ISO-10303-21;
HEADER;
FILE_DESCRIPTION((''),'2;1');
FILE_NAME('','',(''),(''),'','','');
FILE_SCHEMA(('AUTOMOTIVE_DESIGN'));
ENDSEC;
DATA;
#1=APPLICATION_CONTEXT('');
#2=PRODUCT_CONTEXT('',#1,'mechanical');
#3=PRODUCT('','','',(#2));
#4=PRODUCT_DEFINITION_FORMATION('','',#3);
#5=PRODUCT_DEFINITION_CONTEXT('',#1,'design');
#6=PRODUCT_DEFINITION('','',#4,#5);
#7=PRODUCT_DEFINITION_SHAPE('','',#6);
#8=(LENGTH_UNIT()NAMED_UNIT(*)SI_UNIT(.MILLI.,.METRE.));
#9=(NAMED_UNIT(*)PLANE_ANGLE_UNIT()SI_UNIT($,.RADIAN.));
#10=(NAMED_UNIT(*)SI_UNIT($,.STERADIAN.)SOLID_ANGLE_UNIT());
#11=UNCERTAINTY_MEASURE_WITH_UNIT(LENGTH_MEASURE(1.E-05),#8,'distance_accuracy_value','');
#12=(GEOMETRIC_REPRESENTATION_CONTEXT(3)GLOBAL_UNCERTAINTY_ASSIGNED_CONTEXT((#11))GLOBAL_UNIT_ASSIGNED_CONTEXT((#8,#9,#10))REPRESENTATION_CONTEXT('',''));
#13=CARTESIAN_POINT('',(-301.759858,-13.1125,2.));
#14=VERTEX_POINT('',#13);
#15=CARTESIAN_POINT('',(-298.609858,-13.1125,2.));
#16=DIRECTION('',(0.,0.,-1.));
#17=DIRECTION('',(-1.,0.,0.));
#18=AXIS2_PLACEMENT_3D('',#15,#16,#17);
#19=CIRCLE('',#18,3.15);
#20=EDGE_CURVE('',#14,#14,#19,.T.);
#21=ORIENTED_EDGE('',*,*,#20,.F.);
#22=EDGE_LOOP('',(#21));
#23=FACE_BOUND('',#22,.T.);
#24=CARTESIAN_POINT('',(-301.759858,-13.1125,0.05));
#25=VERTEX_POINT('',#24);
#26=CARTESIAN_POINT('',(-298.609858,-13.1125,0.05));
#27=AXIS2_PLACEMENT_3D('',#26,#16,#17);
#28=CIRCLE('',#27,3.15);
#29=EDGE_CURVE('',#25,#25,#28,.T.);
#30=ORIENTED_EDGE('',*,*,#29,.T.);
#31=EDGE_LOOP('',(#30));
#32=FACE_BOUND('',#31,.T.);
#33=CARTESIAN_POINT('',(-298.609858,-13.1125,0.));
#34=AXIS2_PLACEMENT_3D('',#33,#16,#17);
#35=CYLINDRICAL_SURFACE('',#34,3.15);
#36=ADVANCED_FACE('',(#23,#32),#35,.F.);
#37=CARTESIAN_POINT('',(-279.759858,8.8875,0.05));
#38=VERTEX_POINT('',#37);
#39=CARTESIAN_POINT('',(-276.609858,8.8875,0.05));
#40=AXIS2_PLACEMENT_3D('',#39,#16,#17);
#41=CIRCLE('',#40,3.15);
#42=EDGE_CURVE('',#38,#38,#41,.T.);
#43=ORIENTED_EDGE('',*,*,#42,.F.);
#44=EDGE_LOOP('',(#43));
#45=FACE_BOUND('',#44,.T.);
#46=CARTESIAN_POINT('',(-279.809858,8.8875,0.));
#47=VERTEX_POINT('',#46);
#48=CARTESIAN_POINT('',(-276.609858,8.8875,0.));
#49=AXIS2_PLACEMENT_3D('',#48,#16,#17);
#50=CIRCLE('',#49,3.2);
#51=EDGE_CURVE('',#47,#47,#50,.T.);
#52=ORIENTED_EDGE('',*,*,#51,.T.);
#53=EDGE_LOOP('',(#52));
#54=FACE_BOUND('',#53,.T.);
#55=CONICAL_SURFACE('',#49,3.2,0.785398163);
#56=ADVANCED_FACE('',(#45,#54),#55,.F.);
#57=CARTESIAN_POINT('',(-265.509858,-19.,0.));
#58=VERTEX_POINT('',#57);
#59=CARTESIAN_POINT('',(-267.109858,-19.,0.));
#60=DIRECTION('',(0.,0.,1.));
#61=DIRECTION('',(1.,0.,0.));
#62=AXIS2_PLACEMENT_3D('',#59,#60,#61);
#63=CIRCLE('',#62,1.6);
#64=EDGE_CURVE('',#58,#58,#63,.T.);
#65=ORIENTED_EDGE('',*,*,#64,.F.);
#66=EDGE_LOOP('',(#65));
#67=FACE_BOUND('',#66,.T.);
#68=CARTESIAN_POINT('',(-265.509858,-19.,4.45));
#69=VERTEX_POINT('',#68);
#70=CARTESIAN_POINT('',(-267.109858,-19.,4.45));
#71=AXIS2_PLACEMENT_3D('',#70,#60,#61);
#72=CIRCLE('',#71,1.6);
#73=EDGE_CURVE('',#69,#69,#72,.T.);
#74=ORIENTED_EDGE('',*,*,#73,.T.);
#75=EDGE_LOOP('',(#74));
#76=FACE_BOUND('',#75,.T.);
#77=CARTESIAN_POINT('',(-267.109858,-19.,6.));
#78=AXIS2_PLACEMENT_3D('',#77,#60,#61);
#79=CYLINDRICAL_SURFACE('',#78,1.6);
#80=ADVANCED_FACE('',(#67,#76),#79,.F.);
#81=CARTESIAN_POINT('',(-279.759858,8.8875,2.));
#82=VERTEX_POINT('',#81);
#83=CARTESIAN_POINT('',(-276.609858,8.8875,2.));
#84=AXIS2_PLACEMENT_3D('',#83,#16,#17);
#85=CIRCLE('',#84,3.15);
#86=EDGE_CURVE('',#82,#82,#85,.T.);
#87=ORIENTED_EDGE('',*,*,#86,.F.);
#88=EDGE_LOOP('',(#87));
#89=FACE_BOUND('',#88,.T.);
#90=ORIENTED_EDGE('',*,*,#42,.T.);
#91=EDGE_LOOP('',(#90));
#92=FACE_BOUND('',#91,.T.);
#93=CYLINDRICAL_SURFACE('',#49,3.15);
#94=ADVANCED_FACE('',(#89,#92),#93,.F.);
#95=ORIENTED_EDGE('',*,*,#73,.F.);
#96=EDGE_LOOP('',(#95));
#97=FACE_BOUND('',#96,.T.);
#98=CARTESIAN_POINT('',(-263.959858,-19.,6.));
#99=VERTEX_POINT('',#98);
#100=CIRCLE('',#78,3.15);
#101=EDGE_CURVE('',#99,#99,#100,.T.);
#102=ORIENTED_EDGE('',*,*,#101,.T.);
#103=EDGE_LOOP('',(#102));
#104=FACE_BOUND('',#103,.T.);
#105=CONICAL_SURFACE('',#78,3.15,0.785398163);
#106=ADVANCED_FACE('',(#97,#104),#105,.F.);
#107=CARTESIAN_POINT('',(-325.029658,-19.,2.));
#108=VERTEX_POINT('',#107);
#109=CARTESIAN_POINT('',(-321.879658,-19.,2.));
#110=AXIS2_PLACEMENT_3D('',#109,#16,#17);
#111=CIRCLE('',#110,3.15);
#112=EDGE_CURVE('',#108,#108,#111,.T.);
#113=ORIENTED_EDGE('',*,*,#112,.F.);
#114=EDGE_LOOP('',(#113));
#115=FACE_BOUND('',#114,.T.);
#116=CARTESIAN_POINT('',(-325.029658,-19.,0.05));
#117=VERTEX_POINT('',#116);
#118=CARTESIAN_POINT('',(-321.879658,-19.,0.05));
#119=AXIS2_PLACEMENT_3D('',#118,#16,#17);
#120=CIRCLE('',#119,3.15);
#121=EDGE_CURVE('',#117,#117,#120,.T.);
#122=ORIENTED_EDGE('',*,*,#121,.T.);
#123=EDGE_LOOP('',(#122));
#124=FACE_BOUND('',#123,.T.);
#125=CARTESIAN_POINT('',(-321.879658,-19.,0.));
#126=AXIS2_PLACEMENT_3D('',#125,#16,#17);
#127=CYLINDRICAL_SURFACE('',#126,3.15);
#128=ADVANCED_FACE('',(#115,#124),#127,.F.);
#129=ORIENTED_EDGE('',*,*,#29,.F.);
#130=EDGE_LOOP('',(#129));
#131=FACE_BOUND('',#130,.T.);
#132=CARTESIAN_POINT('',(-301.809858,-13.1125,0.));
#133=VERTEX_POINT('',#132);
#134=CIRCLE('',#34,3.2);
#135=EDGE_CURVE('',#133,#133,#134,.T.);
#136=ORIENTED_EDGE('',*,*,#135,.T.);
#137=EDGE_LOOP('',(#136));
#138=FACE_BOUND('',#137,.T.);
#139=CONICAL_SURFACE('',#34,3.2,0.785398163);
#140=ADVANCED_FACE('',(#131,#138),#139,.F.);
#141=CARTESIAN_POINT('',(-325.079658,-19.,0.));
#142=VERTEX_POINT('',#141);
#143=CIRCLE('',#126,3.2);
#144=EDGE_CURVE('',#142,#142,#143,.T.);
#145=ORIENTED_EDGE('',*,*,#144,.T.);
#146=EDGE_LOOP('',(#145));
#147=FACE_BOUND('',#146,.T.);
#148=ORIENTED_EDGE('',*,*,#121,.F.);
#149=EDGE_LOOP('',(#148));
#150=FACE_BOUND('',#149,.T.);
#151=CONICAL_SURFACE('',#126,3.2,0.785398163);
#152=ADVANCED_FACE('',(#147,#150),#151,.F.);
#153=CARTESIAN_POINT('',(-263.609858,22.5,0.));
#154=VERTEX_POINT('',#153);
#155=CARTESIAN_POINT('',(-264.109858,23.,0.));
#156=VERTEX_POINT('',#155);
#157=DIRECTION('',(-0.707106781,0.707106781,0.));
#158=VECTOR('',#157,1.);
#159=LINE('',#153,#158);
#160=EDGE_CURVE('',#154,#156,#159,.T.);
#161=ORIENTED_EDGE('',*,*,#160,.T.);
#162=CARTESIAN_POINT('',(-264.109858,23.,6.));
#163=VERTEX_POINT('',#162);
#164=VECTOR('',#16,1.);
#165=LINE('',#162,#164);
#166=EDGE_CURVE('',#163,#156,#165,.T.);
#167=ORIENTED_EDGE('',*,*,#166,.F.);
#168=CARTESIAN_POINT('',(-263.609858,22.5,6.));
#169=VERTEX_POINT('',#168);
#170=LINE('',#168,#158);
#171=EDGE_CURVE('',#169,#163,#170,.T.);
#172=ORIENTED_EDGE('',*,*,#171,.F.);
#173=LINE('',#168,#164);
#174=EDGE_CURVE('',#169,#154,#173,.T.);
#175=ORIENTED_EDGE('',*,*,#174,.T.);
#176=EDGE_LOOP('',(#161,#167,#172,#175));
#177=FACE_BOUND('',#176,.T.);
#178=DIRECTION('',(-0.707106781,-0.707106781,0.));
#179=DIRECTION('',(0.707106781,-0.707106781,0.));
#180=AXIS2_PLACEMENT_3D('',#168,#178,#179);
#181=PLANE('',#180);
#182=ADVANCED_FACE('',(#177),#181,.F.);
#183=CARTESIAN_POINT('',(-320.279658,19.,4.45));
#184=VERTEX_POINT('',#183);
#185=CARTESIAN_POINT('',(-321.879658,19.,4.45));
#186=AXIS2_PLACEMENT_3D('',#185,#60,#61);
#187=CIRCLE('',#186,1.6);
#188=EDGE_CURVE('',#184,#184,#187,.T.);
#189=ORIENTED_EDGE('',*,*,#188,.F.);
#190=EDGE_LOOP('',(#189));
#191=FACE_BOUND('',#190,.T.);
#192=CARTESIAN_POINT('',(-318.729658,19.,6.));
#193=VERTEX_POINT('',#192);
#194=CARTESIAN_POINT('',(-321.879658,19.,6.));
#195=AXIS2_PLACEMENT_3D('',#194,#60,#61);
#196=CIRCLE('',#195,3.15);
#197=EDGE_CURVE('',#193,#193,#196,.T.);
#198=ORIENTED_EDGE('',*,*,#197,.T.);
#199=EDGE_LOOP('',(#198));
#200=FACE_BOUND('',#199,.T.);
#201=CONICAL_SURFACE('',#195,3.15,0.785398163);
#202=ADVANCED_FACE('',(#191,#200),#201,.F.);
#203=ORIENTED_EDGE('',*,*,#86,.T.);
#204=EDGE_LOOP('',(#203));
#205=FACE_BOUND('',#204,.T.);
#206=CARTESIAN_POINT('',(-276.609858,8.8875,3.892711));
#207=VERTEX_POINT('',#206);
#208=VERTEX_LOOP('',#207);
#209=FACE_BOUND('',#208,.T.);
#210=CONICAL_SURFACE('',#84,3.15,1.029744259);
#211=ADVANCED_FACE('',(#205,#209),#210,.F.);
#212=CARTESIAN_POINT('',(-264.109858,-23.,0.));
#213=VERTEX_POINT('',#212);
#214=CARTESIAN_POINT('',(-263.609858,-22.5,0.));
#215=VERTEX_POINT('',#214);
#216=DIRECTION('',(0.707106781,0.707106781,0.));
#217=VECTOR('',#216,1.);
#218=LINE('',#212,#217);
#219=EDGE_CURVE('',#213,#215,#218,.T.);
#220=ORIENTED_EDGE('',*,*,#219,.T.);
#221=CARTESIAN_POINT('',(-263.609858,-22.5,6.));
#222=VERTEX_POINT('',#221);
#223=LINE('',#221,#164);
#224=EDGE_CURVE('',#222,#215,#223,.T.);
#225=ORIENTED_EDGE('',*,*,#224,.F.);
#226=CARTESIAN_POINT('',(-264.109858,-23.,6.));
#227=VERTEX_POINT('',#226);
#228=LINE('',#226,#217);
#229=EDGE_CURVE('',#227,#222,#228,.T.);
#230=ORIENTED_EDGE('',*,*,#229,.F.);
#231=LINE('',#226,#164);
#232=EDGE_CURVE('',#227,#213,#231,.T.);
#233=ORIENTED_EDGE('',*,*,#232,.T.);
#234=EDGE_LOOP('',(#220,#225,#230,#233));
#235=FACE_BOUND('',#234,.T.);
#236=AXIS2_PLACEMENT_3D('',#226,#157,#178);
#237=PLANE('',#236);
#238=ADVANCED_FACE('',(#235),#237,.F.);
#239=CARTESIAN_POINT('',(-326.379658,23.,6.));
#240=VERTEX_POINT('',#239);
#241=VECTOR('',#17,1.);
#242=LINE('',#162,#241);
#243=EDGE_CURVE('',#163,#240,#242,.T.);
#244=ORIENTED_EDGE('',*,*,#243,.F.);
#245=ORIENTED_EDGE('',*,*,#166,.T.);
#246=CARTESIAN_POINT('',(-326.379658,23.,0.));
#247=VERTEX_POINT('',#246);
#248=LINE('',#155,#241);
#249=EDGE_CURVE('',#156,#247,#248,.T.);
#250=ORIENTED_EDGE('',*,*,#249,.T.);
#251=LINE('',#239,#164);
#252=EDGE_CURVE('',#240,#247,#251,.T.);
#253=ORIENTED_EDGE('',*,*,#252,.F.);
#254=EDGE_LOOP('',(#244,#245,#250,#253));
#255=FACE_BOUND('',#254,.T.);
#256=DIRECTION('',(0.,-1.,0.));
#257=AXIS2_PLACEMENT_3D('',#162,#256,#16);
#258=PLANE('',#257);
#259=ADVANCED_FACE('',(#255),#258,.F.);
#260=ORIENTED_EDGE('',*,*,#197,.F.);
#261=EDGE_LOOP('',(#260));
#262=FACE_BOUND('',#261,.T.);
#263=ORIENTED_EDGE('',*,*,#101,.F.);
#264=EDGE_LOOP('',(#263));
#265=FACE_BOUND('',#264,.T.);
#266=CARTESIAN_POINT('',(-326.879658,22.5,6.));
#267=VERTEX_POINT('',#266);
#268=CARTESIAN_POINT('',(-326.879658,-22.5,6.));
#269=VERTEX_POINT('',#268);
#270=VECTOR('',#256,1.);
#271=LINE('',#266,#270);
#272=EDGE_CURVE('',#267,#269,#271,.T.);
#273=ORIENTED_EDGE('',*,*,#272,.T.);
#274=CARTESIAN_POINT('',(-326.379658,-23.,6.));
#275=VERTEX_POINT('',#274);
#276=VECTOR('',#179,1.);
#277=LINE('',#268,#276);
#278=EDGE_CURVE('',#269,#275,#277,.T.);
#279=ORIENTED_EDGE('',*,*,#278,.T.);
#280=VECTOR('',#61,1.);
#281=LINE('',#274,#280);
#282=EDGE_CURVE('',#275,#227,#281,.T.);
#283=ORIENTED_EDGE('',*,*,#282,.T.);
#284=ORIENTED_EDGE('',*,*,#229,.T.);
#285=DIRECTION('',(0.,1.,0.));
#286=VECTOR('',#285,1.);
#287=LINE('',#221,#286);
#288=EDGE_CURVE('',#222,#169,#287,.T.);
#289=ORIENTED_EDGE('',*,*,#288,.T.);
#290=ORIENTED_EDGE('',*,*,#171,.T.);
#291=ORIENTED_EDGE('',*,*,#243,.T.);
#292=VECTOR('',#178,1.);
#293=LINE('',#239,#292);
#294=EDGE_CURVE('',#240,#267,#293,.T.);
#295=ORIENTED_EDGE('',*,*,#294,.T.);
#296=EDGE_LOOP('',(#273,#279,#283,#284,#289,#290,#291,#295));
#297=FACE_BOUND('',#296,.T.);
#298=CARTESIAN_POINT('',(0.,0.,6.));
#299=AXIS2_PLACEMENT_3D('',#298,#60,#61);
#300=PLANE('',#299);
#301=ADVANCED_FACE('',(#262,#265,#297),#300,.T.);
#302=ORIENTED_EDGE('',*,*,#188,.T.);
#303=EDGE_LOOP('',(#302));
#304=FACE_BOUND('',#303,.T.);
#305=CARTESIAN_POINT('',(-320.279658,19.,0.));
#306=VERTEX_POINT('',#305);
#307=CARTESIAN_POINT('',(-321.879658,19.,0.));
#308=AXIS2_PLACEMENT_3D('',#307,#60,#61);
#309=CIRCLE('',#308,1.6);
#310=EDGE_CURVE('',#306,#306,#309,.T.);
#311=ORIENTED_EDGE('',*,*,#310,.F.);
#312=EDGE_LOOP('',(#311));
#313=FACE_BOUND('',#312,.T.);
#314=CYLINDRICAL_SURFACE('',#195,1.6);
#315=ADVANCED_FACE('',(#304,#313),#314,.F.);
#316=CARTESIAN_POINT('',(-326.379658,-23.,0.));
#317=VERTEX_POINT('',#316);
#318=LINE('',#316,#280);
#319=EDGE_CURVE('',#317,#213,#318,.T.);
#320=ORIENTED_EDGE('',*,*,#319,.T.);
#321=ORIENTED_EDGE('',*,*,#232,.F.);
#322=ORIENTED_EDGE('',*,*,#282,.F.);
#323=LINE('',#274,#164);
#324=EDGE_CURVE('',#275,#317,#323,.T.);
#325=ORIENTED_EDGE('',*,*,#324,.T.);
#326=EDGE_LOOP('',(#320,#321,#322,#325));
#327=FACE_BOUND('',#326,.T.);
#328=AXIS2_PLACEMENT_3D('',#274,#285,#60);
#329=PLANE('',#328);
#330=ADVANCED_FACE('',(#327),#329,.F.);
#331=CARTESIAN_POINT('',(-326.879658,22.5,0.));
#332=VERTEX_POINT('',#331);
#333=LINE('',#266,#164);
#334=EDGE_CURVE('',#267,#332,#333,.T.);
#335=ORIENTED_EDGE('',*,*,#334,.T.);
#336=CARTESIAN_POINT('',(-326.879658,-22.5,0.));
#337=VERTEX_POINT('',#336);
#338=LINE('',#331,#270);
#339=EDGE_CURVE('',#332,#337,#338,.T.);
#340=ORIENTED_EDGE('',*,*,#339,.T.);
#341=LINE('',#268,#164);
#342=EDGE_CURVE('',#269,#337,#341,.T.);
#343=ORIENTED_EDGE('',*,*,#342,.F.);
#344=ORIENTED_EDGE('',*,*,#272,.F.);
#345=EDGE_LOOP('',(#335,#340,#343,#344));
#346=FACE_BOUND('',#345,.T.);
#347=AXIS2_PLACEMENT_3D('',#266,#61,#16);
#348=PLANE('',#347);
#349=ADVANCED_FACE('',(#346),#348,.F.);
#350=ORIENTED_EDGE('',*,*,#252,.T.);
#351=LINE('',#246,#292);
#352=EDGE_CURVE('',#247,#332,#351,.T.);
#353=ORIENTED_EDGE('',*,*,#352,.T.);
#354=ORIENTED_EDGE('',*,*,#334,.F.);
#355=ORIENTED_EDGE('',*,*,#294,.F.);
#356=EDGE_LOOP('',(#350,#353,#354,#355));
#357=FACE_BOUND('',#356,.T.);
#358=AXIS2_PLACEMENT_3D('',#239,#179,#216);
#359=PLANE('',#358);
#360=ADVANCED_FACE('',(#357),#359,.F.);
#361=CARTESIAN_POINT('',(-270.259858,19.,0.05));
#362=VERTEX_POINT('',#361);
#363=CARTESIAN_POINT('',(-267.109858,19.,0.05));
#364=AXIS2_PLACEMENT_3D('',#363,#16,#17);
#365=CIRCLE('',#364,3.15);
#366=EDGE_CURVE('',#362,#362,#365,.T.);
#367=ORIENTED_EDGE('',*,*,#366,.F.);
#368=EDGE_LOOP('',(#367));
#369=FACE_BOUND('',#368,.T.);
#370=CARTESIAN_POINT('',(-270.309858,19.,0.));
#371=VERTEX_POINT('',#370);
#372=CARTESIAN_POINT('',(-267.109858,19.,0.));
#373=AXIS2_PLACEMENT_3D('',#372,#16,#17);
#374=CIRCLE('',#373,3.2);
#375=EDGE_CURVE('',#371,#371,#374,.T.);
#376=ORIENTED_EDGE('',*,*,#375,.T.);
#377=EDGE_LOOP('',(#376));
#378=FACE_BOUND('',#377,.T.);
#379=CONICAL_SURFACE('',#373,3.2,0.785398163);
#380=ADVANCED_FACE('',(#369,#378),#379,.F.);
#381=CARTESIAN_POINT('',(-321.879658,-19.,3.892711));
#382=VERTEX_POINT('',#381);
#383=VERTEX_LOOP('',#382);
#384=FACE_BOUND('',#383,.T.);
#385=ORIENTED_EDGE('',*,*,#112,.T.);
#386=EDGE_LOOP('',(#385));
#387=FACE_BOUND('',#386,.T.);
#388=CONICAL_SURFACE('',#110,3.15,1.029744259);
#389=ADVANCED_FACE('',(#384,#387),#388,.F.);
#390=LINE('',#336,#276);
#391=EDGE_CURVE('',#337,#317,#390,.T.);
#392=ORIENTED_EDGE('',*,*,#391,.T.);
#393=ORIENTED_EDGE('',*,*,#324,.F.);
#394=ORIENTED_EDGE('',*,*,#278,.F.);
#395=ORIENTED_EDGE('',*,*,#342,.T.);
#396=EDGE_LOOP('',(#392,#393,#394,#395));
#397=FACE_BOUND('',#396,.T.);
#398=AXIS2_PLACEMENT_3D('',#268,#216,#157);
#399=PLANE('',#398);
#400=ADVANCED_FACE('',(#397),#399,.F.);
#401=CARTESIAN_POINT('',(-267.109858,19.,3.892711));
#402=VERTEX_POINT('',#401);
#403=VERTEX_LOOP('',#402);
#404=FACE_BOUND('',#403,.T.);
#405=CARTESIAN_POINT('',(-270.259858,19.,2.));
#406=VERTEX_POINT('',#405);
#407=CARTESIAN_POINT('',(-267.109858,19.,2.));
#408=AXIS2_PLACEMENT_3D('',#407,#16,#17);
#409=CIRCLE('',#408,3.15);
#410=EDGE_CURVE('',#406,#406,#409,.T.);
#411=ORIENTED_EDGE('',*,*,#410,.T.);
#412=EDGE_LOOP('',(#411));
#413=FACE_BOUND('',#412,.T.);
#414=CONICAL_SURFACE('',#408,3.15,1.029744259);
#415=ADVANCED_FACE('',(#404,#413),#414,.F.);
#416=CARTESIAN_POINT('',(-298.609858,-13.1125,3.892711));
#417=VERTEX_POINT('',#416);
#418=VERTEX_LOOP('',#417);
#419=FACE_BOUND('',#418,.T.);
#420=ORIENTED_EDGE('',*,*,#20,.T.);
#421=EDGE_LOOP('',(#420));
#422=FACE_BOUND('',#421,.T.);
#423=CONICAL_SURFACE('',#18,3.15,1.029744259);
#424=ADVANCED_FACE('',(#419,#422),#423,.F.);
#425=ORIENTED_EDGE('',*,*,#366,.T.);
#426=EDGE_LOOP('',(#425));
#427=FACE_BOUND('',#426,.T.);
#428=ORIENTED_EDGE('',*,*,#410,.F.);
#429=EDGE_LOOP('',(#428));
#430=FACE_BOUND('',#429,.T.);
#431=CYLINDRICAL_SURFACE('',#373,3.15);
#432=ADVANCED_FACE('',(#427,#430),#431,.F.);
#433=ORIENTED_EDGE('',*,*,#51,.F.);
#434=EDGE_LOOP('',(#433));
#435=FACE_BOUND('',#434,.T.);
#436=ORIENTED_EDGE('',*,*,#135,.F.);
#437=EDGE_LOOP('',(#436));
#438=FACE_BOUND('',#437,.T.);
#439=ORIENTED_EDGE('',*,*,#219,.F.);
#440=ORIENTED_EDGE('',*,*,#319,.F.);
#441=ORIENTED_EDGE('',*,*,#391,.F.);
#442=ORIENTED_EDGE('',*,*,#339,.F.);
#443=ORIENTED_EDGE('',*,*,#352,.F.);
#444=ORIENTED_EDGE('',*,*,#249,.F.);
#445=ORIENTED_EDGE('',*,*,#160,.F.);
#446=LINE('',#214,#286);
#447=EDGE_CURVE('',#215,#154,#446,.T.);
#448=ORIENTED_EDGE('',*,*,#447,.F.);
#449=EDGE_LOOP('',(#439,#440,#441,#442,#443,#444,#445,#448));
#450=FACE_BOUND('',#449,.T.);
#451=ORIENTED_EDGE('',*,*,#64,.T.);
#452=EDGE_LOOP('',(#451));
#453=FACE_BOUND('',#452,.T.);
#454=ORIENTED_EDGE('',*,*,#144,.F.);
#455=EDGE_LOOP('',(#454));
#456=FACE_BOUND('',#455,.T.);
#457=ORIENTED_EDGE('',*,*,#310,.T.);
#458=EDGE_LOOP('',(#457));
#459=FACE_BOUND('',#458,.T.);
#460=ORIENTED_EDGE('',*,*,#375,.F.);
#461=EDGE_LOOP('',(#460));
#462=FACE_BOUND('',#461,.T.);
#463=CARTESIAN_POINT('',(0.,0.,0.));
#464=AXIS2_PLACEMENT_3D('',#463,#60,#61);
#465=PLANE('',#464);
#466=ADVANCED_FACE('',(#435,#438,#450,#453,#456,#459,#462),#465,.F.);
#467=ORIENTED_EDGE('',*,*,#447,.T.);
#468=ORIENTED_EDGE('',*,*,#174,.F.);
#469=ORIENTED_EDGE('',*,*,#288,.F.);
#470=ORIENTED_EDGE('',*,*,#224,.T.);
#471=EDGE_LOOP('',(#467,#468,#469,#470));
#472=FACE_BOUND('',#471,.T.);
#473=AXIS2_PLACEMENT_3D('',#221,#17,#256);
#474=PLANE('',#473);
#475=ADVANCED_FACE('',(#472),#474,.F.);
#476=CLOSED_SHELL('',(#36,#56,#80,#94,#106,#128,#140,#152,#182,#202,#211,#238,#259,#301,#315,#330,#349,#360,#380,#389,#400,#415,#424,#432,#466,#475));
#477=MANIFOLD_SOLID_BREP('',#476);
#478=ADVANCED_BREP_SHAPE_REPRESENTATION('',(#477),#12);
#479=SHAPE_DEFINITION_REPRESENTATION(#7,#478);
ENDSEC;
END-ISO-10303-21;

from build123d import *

# Parameters (mm, degrees)
P_IDAT_VYSUNUT_M2_DEPTH                           = 6
F_6_3_6_3_PR_M_R_D_RY1_D                          = 6.3
F_6_3_6_3_PR_M_R_D_RY1_DEPTH                      = 2
F_6_3_6_3_PR_M_R_D_RY1_CSINK_D                    = 6.4
F_6_3_6_3_PR_M_R_D_RY1_CSINK_ANGLE                = 90
F_6_3_6_3_PR_M_R_D_RY1_TIP                        = 1.89271095
KU_ELOV_ZAHLOUBEN_PRO_M3_ROUBU_SE_Z_P_D           = 3.2
KU_ELOV_ZAHLOUBEN_PRO_M3_ROUBU_SE_Z_P_DEPTH       = 6
KU_ELOV_ZAHLOUBEN_PRO_M3_ROUBU_SE_Z_P_CSINK_D     = 6.3
KU_ELOV_ZAHLOUBEN_PRO_M3_ROUBU_SE_Z_P_CSINK_ANGLE = 90


with BuildPart() as part:
    # Skica1 → Přidat vysunutím2 (new body)
    with BuildSketch(Plane.XY):
        Polygon((-326.879657855, 22.5), (-326.879657855, -22.5), (-326.379657855, -23), (-264.109857855, -23), (-263.609857855, -22.5), (-263.609857855, 22.5), (-264.109857855, 23), (-326.379657855, 23), align=None)
    extrude(amount=P_IDAT_VYSUNUT_M2_DEPTH)

    # Ø6.3 (6.3) průměr díry1
    with Locations(Plane(origin=(-321.879657855, -19, 0), x_dir=(-1, 0, 0), z_dir=(0, 0, -1))):
        with Locations((0, 0), (-54.7698, 38), (-45.2698, 27.8875), (-23.2698, 5.8875)):
            CounterSinkHole(F_6_3_6_3_PR_M_R_D_RY1_D / 2, F_6_3_6_3_PR_M_R_D_RY1_CSINK_D / 2, depth=F_6_3_6_3_PR_M_R_D_RY1_DEPTH, counter_sink_angle=F_6_3_6_3_PR_M_R_D_RY1_CSINK_ANGLE)
            with Locations((0, 0, -(F_6_3_6_3_PR_M_R_D_RY1_DEPTH + F_6_3_6_3_PR_M_R_D_RY1_TIP / 2))):  # 118° drill point
                Cone(0, F_6_3_6_3_PR_M_R_D_RY1_D / 2, F_6_3_6_3_PR_M_R_D_RY1_TIP, mode=Mode.SUBTRACT)

    # Kuželové zahloubení pro M3 šroubu se zápustnou hlavou plochou1
    with Locations(Plane(origin=(-321.879657855, 19, 6), x_dir=(1, 0, 0), z_dir=(0, 0, 1))):
        with Locations((0, 0), (54.7698, -38)):
            CounterSinkHole(KU_ELOV_ZAHLOUBEN_PRO_M3_ROUBU_SE_Z_P_D / 2, KU_ELOV_ZAHLOUBEN_PRO_M3_ROUBU_SE_Z_P_CSINK_D / 2, depth=KU_ELOV_ZAHLOUBEN_PRO_M3_ROUBU_SE_Z_P_DEPTH, counter_sink_angle=KU_ELOV_ZAHLOUBEN_PRO_M3_ROUBU_SE_Z_P_CSINK_ANGLE)


solid = part.part
